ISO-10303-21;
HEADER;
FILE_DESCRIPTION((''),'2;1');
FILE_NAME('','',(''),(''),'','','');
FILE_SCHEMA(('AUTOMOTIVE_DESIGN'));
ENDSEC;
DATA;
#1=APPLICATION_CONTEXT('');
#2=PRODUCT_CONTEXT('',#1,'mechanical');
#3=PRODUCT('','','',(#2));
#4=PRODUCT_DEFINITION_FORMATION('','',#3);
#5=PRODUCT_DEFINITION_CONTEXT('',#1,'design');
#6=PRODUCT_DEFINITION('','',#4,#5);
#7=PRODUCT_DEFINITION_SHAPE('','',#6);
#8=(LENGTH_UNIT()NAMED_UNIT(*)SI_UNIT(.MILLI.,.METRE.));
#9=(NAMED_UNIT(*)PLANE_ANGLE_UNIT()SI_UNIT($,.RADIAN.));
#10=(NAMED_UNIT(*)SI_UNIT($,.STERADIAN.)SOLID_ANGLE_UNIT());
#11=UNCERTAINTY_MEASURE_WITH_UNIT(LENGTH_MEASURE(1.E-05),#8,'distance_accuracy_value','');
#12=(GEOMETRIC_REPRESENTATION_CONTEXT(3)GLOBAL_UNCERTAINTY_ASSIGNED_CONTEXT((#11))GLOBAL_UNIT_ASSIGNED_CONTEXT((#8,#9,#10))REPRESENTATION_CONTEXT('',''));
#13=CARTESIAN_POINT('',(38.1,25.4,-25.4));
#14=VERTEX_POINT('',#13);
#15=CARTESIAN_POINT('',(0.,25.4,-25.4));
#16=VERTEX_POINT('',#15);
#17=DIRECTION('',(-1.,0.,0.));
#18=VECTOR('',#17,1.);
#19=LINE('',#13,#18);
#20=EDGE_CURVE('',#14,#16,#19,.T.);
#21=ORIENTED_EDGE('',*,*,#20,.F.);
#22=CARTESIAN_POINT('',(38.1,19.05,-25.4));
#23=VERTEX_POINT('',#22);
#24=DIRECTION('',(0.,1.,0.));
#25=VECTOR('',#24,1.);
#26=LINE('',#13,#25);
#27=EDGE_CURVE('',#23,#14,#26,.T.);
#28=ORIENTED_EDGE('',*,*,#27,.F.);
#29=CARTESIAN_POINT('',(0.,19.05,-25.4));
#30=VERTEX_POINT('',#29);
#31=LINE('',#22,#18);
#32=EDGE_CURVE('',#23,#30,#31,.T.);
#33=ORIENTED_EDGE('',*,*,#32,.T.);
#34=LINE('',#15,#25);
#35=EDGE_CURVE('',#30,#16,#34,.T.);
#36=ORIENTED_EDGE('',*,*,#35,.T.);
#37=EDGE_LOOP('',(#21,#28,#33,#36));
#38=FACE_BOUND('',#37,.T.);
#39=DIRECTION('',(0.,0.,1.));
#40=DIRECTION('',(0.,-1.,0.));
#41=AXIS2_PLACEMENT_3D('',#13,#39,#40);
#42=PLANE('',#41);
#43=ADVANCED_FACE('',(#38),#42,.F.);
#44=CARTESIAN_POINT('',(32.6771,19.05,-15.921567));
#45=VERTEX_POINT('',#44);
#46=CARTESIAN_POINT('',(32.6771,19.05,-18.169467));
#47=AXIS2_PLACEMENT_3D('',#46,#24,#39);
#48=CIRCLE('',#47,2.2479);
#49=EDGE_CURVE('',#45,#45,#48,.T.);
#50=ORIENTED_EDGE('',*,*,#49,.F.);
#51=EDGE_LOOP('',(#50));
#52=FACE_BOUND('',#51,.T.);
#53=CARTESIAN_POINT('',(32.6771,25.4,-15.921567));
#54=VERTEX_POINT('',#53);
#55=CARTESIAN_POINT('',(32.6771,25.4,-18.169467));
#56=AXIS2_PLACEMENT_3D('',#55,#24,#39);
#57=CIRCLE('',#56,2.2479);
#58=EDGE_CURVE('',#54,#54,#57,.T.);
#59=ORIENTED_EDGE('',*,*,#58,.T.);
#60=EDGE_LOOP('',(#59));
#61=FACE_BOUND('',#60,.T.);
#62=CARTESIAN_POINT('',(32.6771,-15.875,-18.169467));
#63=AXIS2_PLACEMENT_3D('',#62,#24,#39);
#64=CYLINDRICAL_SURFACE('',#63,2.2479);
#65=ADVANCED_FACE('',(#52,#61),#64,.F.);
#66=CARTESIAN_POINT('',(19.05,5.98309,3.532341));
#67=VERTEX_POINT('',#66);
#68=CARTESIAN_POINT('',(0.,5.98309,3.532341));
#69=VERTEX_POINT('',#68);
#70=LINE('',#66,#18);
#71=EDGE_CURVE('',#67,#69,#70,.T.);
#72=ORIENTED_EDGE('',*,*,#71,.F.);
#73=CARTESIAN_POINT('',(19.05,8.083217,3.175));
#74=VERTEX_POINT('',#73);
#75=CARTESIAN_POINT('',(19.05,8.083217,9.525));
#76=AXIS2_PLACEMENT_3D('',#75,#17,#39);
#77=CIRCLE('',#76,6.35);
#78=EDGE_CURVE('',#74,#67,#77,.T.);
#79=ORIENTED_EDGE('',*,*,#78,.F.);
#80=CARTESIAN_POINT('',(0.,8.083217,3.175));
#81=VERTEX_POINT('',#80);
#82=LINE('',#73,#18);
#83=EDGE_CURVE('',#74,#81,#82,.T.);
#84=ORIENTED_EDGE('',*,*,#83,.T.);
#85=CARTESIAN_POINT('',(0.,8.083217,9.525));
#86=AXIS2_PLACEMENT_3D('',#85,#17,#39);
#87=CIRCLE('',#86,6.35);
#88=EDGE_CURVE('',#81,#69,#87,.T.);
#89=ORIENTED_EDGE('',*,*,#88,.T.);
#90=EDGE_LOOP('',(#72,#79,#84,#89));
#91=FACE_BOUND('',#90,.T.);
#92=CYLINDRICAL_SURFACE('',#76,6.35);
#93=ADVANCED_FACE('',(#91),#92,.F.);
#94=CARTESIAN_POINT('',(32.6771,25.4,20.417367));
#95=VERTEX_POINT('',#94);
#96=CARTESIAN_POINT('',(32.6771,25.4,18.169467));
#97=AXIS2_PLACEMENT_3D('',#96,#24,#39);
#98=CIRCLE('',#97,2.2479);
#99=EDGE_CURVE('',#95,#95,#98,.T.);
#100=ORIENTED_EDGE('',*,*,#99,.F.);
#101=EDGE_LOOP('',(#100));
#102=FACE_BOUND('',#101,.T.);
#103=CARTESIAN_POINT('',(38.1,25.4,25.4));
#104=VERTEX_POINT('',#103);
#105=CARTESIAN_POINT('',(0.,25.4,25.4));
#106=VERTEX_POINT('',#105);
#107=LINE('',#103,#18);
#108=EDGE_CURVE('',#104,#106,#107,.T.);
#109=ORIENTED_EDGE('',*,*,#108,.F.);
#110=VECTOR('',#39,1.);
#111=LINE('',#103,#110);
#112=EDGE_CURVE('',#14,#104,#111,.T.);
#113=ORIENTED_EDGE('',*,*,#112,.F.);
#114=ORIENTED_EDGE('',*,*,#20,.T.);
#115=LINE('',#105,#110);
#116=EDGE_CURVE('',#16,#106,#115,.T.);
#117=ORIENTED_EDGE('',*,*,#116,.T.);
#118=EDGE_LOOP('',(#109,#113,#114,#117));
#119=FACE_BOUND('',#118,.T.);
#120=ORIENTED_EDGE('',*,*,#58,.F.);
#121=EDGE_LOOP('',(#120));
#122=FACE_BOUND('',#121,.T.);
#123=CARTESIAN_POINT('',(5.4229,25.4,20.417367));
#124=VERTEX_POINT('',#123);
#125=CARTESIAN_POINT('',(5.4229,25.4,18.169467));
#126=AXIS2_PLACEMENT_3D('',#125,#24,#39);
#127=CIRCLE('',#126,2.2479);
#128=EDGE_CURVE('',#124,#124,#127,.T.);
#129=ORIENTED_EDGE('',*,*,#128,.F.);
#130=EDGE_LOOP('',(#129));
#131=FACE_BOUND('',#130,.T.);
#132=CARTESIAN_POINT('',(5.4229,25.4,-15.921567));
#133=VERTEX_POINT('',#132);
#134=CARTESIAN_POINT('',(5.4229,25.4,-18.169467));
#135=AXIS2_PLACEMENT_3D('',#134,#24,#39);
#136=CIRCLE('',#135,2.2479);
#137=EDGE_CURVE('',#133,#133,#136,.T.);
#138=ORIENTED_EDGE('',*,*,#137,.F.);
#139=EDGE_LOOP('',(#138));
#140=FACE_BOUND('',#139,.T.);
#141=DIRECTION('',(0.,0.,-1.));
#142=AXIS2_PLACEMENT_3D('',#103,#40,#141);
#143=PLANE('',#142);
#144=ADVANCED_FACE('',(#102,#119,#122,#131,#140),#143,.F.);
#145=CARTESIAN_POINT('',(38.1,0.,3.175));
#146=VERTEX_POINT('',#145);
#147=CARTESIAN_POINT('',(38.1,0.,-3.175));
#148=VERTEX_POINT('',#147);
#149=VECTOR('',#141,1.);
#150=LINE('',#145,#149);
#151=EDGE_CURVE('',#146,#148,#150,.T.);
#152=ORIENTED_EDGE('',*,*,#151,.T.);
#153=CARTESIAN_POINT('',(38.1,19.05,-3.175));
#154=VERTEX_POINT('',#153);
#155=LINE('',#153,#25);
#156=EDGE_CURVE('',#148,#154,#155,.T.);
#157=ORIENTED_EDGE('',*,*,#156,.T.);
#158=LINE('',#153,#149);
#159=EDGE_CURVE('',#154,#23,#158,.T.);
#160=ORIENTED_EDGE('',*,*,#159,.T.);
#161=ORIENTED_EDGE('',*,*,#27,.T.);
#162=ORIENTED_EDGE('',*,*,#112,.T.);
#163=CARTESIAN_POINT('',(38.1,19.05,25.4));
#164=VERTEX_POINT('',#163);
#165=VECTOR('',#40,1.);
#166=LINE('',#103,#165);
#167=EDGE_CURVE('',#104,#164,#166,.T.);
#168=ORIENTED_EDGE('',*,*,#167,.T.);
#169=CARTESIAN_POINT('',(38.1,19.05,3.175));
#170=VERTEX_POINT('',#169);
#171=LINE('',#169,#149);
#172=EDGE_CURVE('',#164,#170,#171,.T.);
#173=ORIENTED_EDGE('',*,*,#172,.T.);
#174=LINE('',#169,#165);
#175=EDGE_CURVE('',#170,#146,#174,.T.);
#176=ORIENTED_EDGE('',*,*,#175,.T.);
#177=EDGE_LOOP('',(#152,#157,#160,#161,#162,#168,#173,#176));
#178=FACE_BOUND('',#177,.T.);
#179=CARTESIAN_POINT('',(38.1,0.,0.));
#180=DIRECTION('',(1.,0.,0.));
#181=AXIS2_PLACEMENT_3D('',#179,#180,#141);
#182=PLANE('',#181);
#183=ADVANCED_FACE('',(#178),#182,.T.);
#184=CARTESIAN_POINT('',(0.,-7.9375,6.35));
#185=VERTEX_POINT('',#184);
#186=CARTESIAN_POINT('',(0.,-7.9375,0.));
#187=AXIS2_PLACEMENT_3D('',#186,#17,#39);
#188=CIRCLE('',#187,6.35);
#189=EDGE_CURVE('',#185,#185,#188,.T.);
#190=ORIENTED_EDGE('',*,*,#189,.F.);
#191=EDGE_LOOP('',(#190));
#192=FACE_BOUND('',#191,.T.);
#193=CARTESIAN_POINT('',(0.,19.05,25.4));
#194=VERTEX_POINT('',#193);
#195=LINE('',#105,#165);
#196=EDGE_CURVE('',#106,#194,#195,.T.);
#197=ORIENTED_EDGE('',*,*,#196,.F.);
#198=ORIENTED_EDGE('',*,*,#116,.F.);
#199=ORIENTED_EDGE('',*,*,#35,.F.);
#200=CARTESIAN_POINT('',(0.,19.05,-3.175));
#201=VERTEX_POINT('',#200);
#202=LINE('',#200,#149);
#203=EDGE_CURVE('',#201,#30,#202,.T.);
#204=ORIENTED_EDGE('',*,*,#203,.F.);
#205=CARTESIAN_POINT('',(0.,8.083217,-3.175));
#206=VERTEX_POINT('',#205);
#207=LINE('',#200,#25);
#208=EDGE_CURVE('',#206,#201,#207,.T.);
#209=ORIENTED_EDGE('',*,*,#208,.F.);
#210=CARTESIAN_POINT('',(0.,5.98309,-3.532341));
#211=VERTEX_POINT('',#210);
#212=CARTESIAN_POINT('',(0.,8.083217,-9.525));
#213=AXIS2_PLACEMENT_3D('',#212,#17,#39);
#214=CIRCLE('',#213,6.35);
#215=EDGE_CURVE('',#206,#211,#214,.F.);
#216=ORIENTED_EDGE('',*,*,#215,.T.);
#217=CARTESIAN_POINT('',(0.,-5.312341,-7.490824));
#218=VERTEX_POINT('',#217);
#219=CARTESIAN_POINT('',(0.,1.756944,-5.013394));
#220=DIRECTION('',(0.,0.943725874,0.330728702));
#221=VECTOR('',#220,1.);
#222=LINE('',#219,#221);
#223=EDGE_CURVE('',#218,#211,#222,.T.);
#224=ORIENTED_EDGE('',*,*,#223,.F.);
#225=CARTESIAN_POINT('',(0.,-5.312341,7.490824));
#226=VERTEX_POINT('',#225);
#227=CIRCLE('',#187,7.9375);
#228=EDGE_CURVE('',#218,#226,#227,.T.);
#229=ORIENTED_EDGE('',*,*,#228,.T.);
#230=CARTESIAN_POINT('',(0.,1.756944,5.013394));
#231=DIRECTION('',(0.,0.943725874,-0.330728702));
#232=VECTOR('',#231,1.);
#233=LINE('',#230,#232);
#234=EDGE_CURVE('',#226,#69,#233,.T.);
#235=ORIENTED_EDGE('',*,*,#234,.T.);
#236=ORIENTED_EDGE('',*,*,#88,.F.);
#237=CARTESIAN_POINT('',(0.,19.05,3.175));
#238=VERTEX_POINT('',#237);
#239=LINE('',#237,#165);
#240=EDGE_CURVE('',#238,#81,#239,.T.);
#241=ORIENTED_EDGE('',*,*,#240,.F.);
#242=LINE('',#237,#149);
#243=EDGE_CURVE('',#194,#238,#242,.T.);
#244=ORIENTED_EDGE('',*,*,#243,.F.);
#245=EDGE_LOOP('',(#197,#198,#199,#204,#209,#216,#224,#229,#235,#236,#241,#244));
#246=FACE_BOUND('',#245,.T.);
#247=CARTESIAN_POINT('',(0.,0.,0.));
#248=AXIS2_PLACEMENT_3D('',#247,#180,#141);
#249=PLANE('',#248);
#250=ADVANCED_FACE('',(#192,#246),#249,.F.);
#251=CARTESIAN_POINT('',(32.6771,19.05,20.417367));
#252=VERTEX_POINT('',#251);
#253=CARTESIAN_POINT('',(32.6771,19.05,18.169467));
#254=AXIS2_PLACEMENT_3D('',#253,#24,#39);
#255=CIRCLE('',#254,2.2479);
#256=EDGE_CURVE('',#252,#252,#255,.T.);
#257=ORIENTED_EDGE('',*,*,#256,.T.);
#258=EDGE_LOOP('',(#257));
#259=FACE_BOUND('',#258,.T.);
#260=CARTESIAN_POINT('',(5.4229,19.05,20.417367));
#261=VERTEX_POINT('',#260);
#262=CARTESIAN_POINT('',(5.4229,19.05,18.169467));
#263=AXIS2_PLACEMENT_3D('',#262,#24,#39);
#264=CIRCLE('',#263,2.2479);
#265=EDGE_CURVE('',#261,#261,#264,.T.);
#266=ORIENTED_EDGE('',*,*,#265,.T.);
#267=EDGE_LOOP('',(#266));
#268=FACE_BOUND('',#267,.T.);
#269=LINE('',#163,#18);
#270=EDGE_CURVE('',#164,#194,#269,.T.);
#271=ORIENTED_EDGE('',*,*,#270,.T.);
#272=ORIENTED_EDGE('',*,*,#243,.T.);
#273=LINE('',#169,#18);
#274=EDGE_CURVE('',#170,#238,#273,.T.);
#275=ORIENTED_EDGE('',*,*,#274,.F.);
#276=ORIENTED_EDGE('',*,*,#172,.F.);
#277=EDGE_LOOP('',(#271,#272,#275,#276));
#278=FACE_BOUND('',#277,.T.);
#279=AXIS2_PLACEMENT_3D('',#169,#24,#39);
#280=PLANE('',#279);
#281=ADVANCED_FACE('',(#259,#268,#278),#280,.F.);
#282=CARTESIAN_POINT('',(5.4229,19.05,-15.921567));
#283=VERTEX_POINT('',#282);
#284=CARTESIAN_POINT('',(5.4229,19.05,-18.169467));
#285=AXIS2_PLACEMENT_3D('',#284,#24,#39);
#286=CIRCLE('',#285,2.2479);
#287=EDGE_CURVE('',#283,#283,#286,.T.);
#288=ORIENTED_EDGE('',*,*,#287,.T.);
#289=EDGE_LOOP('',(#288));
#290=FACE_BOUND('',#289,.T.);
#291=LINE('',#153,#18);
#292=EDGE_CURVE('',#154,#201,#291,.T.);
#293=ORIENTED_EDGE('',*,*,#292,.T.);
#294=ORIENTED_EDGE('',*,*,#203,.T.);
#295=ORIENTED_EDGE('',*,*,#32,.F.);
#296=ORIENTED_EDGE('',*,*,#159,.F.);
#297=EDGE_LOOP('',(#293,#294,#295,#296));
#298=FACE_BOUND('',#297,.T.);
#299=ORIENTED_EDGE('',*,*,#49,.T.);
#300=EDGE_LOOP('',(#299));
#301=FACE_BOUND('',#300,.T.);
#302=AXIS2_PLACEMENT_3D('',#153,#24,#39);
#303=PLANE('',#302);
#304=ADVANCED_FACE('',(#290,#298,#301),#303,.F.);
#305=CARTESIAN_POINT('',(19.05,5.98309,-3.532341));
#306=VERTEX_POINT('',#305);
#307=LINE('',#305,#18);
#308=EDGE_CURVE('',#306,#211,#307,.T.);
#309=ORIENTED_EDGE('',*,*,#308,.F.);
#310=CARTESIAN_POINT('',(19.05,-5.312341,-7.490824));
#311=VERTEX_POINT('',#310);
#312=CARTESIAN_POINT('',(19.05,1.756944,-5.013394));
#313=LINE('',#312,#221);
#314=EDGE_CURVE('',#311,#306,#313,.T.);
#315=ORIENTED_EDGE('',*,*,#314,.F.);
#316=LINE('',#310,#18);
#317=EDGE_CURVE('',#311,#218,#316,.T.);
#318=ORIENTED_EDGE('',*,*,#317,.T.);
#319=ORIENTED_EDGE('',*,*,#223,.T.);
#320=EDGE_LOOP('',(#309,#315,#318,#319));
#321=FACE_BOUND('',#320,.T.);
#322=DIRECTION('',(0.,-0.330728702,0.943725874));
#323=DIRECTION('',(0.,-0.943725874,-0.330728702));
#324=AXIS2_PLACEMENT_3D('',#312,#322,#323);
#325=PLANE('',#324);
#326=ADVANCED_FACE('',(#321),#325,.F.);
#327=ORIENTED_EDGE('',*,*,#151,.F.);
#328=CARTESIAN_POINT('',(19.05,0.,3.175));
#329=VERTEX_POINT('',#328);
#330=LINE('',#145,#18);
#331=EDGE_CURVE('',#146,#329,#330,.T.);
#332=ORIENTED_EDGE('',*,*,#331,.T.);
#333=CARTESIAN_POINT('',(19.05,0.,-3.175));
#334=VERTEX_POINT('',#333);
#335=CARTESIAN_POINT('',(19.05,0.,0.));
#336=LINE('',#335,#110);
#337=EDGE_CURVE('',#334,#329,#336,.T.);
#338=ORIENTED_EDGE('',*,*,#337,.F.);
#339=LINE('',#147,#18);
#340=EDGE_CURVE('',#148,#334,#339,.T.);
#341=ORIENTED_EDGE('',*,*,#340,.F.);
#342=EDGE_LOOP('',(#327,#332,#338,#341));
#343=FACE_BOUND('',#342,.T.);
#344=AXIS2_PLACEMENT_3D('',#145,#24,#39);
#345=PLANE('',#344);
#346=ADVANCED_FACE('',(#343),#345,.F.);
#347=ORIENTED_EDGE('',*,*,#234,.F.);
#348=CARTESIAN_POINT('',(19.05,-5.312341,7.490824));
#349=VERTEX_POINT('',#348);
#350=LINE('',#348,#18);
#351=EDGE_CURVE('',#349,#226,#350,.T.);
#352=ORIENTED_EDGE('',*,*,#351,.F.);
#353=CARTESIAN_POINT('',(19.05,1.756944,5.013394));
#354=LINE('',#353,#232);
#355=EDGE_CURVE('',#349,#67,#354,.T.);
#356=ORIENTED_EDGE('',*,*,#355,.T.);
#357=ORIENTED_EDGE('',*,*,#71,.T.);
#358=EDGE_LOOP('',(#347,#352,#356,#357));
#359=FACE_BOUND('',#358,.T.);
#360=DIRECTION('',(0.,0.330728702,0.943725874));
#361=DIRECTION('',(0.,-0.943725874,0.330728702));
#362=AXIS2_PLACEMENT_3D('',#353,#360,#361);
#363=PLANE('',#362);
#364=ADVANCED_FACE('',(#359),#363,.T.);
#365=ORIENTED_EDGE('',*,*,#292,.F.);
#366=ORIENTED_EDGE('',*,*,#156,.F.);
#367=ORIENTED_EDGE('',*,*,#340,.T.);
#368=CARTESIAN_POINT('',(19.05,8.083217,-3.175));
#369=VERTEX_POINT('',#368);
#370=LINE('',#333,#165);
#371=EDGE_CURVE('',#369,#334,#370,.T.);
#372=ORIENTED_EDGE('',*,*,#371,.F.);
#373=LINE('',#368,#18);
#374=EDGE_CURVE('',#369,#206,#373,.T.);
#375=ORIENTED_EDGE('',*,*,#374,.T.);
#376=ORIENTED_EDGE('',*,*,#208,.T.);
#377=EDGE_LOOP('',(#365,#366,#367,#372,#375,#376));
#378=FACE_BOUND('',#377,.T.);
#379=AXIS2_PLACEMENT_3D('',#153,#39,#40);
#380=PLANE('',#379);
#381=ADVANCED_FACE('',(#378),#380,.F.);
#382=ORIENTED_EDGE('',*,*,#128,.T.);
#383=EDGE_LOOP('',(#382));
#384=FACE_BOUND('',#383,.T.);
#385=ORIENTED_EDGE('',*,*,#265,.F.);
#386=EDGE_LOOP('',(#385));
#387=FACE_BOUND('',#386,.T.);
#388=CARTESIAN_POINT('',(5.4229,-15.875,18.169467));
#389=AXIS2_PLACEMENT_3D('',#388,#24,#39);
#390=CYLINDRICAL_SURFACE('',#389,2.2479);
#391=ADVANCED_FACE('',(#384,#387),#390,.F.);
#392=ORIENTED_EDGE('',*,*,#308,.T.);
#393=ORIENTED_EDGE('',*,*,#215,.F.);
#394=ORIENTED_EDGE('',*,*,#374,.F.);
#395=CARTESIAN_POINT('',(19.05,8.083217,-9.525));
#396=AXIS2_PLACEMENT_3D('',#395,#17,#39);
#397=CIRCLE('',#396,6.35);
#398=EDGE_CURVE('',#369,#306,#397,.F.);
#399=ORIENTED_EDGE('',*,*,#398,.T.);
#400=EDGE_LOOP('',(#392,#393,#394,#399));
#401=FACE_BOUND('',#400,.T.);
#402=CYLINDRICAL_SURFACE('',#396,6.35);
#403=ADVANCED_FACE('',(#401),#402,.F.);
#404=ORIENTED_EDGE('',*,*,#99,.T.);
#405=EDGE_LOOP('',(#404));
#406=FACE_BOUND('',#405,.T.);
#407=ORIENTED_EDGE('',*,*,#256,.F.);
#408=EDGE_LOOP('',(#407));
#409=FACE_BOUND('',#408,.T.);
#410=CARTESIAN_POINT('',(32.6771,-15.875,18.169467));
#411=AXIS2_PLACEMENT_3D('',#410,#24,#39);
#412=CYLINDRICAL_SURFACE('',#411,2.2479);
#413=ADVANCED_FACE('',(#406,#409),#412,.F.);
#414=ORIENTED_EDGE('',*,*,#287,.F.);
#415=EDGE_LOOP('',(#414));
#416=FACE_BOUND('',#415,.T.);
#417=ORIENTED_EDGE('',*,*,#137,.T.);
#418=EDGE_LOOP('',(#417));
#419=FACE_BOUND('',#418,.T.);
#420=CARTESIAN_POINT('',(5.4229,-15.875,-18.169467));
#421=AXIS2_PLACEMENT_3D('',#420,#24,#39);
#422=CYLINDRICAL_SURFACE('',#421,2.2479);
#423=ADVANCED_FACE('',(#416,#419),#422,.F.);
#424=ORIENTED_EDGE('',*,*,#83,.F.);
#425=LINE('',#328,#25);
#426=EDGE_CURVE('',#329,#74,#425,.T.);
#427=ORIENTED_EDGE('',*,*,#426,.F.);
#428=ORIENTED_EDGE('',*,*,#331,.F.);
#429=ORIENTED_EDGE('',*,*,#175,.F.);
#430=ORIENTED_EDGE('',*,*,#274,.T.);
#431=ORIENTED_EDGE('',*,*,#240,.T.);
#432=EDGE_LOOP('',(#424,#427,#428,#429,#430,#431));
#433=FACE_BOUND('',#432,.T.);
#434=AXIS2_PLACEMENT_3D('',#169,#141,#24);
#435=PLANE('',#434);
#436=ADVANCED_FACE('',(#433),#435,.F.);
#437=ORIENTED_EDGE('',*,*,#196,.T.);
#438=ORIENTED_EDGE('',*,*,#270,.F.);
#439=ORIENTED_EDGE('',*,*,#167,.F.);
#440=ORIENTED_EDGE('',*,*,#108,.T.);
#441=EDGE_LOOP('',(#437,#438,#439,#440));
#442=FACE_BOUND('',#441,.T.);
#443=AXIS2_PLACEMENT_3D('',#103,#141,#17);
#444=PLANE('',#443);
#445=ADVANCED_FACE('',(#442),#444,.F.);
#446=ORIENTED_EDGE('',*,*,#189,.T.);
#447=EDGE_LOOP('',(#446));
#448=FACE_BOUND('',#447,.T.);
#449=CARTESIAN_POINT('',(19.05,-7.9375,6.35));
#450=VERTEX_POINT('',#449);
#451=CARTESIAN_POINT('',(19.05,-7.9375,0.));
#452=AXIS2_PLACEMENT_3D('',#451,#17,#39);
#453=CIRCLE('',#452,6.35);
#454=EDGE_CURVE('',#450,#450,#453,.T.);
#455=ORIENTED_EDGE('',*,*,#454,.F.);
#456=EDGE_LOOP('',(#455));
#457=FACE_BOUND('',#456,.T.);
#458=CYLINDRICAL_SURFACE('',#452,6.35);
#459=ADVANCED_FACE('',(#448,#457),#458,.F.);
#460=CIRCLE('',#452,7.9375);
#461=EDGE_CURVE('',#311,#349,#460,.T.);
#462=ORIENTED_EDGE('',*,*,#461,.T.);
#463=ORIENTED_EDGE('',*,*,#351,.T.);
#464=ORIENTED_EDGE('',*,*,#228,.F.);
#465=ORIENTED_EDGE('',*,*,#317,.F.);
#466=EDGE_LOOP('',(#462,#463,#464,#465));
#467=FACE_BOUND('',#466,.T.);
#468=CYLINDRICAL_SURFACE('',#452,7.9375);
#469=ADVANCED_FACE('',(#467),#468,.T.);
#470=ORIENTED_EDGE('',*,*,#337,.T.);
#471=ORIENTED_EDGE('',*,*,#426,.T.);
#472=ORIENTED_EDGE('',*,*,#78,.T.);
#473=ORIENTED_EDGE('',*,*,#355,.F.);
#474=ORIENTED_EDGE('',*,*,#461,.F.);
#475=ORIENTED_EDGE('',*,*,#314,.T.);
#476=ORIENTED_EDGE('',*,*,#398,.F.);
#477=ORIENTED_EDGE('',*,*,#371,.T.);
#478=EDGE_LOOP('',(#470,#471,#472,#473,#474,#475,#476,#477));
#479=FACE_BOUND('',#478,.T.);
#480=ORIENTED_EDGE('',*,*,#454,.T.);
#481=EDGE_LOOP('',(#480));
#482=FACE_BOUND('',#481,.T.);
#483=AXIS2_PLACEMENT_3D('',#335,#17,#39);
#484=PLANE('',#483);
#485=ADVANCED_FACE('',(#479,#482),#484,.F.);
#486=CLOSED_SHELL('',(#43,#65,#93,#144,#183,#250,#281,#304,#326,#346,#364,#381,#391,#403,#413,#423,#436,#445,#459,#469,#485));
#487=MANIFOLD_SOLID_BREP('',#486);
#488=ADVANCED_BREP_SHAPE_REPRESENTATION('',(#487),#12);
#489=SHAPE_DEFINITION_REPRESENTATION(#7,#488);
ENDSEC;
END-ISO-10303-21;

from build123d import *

# Parameters (mm, degrees)
BOSS_EXTRUDE1_DEPTH = 38.1
SKETCH2_R           = 6.35
BOSS_EXTRUDE2_DEPTH = 19.05
SKETCH3_R           = 2.2479
CUT_EXTRUDE1_DEPTH  = 42.275


with BuildPart() as part:
    # Sketch1 → Boss-Extrude1 (new body)
    with BuildSketch(Plane(origin=(0, 0, 0), x_dir=(0, 0, -1), z_dir=(1, 0, 0))):
        Polygon((-3.175, 0), (3.175, 0), (3.175, 19.05), (25.4, 19.05), (25.4, 25.4), (-25.4, 25.4), (-25.4, 19.05), (-3.175, 19.05), align=None)
    extrude(amount=BOSS_EXTRUDE1_DEPTH)

    # Sketch2 → Boss-Extrude2 (add)
    with BuildSketch(Plane.ZY):
        with BuildLine():
            ThreePointArc((-7.490824128, -5.312340931), (0, -15.875), (7.490824128, -5.312340931))
            Line((7.490824128, -5.312340931), (3.532340698, 5.983090093))
            ThreePointArc((3.532340698, 5.983090093), (3.264972581, 7.018061624), (3.175, 8.083217348))
            Line((3.175, 8.083217348), (3.175, 7.002752616))
            Line((3.175, 7.002752616), (3.175, 0))
            Line((3.175, 0), (-3.175, 0))
            Line((-3.175, 0), (-3.175, 7.002752616))
            Line((-3.175, 7.002752616), (-3.175, 8.083217348))
            ThreePointArc((-3.175, 8.083217348), (-3.264972581, 7.018061624), (-3.532340698, 5.983090093))
            Line((-3.532340698, 5.983090093), (-7.490824128, -5.312340931))
        make_face()
        with Locations((0, -7.9375)):
            Circle(SKETCH2_R, mode=Mode.SUBTRACT)
    extrude(amount=-BOSS_EXTRUDE2_DEPTH)

    # Sketch3 → Cut-Extrude1 (cut, through all)
    with BuildSketch(Plane(origin=(0, 25.4, 0), x_dir=(1, 0, 0), z_dir=(0, 1, 0))):
        with Locations((5.4229, 18.169466667)):
            Circle(SKETCH3_R)
        with Locations((32.6771, 18.169466667)):
            Circle(SKETCH3_R)
        with Locations((32.6771, -18.169466667)):
            Circle(SKETCH3_R)
        with Locations((5.4229, -18.169466667)):
            Circle(SKETCH3_R)
    extrude(amount=-CUT_EXTRUDE1_DEPTH, mode=Mode.SUBTRACT)


solid = part.part
